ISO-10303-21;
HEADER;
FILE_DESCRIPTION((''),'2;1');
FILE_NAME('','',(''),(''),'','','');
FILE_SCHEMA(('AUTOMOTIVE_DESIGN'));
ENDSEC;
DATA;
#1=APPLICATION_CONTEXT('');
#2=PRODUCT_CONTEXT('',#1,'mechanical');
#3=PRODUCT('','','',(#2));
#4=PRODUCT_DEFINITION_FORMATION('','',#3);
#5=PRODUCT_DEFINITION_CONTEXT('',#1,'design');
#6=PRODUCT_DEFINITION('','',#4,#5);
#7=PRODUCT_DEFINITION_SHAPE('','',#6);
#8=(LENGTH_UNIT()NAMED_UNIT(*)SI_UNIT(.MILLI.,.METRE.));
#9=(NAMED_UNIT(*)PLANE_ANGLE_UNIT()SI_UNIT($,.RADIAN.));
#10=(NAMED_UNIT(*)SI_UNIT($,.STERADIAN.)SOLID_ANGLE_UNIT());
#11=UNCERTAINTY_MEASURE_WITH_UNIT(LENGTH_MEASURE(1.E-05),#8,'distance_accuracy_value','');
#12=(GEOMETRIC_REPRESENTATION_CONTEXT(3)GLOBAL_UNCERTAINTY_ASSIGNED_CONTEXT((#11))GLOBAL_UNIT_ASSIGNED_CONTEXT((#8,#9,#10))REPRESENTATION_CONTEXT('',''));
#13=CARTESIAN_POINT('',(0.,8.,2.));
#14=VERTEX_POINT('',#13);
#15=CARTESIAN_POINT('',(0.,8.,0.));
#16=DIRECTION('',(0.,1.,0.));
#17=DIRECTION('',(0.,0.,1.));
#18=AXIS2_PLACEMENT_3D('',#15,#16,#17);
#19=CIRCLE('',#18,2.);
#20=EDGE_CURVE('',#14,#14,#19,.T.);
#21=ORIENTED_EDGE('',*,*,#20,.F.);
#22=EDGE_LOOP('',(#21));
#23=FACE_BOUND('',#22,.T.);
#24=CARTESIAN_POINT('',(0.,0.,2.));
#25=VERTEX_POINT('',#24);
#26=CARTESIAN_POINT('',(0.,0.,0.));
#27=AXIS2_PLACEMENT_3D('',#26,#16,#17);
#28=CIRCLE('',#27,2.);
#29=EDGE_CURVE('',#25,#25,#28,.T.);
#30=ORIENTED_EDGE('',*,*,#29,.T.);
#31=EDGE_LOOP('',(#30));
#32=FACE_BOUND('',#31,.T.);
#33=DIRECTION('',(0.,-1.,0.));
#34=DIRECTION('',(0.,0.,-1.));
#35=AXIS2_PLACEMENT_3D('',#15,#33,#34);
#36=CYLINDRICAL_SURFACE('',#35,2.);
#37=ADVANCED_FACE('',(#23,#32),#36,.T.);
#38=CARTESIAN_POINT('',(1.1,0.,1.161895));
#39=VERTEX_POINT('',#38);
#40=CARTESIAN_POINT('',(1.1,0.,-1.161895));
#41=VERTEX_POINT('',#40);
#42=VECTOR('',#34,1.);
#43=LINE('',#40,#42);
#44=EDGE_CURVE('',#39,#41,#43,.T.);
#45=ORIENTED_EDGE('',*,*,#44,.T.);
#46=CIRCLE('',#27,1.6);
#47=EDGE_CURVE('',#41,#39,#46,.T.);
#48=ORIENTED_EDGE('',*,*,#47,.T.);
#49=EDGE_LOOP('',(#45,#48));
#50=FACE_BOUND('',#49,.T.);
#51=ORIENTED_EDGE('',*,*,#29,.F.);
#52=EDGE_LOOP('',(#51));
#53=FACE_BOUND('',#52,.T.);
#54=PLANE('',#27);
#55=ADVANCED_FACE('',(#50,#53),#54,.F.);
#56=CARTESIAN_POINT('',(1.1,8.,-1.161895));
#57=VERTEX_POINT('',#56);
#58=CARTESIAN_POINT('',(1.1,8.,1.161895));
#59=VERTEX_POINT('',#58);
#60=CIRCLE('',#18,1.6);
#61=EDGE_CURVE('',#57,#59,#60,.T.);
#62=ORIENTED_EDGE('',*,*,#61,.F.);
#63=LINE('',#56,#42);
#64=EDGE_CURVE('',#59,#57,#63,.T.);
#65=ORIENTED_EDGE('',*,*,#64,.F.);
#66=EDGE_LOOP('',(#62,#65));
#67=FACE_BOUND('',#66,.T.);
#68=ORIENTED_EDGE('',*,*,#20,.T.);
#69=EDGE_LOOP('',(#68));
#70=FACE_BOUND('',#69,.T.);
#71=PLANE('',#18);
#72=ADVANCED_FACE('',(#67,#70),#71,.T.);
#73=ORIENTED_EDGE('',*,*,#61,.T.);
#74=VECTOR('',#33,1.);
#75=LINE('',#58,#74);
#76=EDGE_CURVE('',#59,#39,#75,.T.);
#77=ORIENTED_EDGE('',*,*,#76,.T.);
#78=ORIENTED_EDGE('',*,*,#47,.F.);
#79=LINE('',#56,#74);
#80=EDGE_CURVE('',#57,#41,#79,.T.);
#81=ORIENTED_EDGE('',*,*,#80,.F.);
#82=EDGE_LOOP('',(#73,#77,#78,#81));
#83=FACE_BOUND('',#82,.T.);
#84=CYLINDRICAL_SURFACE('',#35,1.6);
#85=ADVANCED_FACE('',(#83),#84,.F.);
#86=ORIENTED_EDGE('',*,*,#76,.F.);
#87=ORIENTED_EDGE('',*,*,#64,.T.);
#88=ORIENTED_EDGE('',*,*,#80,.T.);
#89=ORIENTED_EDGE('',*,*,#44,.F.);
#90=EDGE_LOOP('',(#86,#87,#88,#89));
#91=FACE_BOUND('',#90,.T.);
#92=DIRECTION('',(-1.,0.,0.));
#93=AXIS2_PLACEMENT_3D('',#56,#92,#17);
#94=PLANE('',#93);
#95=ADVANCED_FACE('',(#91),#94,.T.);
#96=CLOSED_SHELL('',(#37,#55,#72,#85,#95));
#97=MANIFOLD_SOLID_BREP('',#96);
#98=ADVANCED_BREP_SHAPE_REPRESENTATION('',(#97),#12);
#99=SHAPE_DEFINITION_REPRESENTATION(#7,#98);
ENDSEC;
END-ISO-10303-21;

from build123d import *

# Parameters (mm, degrees)
SKETCH1_R           = 2
BOSS_EXTRUDE1_DEPTH = 8


with BuildPart() as part:
    # Sketch1 → Boss-Extrude1 (new body)
    with BuildSketch(Plane(origin=(0, 0, 0), x_dir=(1, 0, 0), z_dir=(0, 1, 0))):
        Circle(SKETCH1_R)
        with BuildLine():
            Line((1.1, 1.161895004), (1.1, -1.161895004))
            ThreePointArc((1.1, -1.161895004), (-1.6, 0), (1.1, 1.161895004))
        make_face(mode=Mode.SUBTRACT)
    extrude(amount=BOSS_EXTRUDE1_DEPTH)


solid = part.part
